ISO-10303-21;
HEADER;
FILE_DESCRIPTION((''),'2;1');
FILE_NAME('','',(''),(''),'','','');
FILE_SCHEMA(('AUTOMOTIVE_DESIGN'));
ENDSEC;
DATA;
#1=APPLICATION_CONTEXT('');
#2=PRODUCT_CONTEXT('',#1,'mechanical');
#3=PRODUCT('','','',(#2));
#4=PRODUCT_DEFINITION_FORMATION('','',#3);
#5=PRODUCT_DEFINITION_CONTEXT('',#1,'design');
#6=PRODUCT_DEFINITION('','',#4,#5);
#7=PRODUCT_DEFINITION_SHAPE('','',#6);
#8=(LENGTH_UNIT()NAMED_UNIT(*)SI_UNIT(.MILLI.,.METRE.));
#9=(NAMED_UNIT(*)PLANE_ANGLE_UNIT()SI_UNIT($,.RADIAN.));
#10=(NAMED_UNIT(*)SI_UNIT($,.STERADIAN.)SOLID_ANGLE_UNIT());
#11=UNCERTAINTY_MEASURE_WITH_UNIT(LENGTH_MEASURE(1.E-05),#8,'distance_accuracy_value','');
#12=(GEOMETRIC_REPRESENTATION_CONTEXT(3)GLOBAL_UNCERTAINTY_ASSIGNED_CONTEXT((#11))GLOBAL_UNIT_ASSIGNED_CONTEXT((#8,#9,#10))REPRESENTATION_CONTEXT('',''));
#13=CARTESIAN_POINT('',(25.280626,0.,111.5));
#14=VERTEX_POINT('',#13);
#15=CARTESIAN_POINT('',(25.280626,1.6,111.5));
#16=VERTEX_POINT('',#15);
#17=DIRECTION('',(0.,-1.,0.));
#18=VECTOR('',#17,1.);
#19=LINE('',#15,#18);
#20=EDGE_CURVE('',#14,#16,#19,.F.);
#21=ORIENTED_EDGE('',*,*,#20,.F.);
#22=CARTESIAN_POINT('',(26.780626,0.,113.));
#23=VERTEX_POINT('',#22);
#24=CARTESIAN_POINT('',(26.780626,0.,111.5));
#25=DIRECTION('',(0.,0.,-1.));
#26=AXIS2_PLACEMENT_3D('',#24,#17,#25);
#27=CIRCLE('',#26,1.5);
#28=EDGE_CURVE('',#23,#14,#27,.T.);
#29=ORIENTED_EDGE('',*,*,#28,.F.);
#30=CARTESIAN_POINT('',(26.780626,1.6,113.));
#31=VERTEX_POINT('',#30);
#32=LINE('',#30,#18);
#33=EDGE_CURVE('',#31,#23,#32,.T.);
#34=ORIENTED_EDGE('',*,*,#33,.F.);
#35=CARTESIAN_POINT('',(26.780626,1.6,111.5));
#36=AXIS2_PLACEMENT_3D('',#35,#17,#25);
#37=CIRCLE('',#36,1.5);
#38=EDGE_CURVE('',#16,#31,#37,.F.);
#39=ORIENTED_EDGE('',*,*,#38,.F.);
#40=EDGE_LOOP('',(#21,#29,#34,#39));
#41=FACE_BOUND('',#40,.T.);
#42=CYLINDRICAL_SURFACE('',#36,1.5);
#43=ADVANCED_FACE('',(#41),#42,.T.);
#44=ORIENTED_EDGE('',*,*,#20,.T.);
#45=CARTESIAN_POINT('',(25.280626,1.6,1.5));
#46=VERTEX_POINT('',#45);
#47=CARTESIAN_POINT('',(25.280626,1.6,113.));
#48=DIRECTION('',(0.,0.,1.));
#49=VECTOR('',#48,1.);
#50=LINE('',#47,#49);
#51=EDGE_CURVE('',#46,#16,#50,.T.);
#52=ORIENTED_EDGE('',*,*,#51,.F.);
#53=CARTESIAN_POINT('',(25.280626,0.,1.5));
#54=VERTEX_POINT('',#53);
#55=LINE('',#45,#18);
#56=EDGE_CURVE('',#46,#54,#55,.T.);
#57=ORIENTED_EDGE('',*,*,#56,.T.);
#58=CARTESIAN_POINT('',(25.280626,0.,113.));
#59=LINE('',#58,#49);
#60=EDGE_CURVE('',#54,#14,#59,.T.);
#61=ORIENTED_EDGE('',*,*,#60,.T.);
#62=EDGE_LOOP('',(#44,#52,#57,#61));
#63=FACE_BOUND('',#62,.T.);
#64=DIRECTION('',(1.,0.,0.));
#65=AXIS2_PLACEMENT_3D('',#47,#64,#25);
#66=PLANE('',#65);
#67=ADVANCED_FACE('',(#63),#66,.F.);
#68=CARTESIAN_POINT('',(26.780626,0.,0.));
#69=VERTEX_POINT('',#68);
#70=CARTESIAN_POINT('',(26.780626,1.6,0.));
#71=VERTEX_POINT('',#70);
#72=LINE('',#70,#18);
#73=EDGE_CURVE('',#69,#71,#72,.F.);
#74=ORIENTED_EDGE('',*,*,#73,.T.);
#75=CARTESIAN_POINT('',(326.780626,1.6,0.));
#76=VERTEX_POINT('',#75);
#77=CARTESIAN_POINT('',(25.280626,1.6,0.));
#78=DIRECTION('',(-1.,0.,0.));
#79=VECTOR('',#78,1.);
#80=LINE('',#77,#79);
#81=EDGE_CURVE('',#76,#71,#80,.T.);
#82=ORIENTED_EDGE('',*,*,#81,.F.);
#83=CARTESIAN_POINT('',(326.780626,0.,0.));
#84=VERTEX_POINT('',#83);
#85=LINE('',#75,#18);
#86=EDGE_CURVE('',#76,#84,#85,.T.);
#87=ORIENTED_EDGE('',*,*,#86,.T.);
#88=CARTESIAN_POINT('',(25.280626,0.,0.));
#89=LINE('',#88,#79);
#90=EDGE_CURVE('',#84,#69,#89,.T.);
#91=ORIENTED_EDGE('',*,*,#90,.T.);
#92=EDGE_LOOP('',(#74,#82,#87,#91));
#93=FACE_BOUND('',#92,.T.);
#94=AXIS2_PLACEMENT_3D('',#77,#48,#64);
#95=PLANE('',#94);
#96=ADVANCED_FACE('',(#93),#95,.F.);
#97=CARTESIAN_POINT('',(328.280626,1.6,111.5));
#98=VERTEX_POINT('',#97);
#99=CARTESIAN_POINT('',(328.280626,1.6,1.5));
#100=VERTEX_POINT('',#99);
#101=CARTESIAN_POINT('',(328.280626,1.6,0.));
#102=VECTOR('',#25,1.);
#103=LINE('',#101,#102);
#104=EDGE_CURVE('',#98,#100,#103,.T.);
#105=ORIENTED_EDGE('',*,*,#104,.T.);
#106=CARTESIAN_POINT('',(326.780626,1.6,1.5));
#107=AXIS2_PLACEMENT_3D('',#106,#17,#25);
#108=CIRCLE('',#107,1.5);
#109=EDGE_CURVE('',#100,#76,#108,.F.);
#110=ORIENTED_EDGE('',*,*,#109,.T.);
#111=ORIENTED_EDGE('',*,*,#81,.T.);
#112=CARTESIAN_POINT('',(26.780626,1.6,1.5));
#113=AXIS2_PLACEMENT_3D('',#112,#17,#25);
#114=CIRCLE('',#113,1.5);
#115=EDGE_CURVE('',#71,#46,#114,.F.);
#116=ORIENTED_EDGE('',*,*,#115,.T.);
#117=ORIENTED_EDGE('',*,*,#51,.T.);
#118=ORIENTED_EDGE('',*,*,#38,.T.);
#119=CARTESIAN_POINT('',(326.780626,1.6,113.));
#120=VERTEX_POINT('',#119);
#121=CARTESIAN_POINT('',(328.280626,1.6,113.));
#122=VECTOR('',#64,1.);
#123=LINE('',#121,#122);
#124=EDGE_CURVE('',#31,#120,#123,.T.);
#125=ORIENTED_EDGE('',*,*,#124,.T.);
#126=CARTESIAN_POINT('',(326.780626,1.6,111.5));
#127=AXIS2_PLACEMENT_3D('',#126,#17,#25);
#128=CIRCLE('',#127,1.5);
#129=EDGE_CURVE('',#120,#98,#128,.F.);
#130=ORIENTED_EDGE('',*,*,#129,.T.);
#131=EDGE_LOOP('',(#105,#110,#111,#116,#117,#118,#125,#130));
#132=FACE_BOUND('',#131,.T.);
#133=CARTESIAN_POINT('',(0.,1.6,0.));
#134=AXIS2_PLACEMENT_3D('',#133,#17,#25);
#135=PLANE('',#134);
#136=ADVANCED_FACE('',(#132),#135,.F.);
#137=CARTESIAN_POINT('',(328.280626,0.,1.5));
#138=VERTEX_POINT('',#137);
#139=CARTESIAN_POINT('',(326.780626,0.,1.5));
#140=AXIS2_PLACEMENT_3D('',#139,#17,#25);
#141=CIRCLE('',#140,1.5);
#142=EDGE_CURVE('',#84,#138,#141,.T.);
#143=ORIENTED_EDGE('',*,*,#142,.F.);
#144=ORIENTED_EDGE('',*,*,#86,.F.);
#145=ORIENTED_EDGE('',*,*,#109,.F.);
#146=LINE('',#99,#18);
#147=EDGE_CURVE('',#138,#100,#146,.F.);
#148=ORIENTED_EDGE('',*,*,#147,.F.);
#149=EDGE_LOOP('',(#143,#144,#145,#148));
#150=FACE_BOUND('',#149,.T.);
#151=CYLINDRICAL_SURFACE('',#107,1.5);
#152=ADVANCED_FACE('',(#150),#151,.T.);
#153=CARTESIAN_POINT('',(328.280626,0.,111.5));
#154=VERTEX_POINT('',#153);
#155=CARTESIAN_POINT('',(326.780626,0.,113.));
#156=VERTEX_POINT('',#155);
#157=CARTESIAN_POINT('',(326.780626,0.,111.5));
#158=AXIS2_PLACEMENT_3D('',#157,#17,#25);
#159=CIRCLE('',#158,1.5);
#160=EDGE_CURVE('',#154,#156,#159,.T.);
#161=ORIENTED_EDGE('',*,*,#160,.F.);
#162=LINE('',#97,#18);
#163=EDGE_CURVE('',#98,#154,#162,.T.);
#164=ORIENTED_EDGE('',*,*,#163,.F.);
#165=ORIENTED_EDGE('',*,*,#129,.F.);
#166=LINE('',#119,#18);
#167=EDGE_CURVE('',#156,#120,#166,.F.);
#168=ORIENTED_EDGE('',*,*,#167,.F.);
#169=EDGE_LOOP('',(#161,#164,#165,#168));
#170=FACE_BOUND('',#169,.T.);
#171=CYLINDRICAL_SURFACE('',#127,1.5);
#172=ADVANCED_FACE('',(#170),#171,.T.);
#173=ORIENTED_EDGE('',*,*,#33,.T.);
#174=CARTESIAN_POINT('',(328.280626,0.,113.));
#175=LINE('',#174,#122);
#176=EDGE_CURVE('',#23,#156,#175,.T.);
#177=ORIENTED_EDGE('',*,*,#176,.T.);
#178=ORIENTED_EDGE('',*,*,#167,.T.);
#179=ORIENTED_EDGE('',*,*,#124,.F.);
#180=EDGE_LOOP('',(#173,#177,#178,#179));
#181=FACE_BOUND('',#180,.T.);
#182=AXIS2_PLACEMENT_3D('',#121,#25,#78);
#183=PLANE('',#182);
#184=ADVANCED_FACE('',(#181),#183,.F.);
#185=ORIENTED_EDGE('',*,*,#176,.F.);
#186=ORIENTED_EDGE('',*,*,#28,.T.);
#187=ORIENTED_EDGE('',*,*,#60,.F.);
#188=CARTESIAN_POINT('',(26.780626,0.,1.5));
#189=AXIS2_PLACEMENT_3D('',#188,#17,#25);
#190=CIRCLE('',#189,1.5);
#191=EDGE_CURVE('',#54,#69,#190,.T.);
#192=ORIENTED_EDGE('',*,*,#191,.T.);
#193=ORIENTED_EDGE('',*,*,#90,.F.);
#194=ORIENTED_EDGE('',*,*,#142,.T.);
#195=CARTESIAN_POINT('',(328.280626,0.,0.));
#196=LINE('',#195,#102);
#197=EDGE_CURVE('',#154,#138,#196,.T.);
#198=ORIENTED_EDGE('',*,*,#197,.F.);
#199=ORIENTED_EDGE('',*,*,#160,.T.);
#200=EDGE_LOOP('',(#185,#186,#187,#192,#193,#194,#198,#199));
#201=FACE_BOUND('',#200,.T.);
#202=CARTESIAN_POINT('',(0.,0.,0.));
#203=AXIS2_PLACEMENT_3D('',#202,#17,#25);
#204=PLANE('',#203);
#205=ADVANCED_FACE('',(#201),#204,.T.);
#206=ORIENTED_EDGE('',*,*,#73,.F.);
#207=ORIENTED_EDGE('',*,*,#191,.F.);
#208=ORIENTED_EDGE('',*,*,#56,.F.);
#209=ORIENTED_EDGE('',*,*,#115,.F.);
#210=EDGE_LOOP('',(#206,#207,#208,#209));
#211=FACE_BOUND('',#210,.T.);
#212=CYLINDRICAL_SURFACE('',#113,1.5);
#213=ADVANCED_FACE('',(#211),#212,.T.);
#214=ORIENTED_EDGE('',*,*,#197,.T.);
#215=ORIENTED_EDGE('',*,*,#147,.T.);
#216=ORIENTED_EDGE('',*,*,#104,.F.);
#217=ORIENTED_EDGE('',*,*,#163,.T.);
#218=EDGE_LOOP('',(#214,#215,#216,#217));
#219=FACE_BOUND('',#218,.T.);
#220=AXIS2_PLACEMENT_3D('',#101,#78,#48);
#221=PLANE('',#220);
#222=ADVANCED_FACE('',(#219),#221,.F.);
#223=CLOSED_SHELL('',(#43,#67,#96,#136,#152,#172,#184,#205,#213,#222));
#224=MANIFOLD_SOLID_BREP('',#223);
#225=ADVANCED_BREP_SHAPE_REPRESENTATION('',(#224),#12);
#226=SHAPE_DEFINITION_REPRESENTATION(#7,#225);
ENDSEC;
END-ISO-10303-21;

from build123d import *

# Parameters (mm, degrees)
SKETCH_1_W      = 303
SKETCH_1_H      = 113
EXTRUDE_1_DEPTH = 1.6
FILLET_1_R      = 1.5


with BuildPart() as part:
    # 草图1 → 凸台-拉伸1 (new body)
    with BuildSketch(Plane(origin=(0, 0, 0), x_dir=(1, 0, 0), z_dir=(0, 1, 0))):
        with Locations((176.780625722, -56.5)):
            Rectangle(SKETCH_1_W, SKETCH_1_H)
    extrude(amount=EXTRUDE_1_DEPTH)

    # 圆角1
    fillet_1_edges = [part.edges().sort_by_distance(p)[0] for p in [
        (25.280625722, 0.8, 0),
        (328.280625722, 0.8, 0),
        (328.280625722, 0.8, 113),
        (25.280625722, 0.8, 113),
    ]]
    fillet(fillet_1_edges, radius=FILLET_1_R)


solid = part.part
